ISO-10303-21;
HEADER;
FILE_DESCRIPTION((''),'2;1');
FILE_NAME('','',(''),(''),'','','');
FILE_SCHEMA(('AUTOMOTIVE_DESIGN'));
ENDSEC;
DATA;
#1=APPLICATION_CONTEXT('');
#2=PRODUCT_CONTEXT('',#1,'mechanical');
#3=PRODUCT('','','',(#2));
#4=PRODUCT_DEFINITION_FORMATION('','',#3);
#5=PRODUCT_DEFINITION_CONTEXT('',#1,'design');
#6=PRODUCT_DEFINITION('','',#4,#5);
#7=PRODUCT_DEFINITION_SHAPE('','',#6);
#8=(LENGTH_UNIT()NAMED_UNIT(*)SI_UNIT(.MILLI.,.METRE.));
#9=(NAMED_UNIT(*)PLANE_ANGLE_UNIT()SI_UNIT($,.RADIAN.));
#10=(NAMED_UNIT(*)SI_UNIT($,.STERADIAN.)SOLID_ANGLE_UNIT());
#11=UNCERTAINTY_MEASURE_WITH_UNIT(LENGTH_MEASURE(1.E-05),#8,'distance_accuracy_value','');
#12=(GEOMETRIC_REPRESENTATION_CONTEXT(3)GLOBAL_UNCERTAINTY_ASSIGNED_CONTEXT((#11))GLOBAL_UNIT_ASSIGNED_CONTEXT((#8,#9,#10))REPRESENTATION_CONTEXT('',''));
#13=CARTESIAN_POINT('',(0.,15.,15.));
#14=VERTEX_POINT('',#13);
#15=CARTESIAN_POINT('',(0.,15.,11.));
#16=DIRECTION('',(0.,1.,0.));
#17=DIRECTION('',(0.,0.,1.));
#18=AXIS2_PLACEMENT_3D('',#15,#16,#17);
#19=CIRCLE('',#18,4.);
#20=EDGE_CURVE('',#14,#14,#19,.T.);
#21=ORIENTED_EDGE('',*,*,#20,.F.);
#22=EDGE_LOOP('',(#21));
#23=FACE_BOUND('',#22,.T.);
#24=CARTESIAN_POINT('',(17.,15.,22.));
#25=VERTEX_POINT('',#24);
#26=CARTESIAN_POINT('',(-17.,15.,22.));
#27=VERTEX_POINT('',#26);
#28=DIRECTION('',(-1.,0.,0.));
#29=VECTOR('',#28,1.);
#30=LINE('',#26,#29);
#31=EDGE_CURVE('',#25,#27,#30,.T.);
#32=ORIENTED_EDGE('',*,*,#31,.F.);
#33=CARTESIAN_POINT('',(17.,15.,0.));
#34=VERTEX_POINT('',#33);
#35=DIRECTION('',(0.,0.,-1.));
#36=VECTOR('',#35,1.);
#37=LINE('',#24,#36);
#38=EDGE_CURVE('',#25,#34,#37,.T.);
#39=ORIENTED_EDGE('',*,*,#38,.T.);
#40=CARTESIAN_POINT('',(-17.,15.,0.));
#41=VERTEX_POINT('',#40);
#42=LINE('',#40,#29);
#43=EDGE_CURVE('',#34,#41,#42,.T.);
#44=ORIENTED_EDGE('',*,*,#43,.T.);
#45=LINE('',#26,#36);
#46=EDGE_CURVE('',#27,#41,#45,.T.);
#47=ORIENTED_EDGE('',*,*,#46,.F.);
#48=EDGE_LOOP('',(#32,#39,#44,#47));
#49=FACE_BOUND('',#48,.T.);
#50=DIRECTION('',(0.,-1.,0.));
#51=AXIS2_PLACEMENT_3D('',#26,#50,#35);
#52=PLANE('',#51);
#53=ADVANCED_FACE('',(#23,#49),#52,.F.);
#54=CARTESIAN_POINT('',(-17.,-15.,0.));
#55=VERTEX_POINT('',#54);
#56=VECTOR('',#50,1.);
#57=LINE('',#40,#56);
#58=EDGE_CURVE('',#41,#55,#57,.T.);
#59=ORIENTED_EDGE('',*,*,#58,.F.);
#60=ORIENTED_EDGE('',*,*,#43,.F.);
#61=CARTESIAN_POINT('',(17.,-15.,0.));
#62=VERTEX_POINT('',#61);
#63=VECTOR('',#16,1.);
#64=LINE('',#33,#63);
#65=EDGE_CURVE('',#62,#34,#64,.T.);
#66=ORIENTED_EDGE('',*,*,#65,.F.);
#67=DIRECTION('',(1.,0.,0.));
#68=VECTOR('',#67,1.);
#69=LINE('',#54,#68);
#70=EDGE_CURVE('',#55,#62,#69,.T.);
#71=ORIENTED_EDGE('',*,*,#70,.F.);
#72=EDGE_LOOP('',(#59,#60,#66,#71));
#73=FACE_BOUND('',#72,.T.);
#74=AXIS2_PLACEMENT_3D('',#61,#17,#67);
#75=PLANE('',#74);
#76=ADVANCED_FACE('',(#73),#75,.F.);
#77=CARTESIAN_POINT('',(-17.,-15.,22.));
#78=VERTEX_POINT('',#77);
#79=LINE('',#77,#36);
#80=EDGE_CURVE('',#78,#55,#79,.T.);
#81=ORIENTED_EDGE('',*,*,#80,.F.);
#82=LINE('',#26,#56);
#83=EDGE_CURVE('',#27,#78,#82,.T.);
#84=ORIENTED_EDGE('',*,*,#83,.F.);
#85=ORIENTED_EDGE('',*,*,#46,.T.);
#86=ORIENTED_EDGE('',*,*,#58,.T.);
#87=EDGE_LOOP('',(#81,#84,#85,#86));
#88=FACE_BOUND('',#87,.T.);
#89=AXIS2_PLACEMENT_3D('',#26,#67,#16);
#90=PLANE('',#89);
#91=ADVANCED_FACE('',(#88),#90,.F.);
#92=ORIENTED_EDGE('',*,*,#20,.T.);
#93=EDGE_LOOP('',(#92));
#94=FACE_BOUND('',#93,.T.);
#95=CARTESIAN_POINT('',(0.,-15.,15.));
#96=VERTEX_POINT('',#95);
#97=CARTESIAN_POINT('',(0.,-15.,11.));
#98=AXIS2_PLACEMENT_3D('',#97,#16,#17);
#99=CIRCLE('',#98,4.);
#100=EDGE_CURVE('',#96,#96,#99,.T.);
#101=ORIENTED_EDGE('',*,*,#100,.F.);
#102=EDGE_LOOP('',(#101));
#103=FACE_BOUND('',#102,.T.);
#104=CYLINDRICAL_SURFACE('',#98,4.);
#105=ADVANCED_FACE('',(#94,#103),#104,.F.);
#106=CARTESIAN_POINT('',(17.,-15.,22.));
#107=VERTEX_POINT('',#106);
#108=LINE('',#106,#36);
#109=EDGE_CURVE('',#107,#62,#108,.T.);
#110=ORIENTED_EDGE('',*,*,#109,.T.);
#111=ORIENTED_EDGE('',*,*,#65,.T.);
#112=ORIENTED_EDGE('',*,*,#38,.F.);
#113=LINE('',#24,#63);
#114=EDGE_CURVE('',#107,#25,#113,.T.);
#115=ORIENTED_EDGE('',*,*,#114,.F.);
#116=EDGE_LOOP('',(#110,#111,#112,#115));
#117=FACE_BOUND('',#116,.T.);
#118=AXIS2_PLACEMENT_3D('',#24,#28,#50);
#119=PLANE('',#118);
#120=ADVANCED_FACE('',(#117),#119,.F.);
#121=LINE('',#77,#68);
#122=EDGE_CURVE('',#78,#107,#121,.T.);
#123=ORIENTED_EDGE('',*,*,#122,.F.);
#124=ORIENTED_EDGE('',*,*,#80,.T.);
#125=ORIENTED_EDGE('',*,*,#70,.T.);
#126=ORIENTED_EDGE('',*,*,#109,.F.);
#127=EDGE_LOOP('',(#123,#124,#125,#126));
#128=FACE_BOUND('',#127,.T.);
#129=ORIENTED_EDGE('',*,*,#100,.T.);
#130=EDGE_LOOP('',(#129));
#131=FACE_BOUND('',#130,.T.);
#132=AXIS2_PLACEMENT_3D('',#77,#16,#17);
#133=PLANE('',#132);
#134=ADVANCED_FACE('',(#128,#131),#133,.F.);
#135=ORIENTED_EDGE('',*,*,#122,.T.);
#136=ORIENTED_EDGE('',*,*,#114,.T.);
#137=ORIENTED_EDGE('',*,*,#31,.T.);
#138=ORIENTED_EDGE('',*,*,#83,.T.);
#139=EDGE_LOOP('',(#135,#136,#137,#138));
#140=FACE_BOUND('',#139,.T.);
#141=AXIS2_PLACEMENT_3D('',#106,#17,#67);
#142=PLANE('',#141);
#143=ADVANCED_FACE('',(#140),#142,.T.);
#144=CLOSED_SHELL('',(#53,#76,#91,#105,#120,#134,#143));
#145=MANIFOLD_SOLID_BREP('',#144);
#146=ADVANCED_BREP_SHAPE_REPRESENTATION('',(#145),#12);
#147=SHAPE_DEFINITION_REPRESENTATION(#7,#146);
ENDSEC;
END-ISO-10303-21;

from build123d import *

# Parameters (mm, degrees)
SKETCH1_W           = 34
SKETCH1_H           = 30
BOSS_EXTRUDE1_DEPTH = 22
SKETCH2_R           = 4
CUT_EXTRUDE1_DEPTH  = 30


with BuildPart() as part:
    # Sketch1 → Boss-Extrude1 (new body)
    with BuildSketch(Plane.XY):
        Rectangle(SKETCH1_W, SKETCH1_H)
    extrude(amount=BOSS_EXTRUDE1_DEPTH)

    # Sketch2 → Cut-Extrude1 (cut)
    with BuildSketch(Plane(origin=(0, 15, 0), x_dir=(-1, 0, 0), z_dir=(0, 1, 0))):
        with Locations(Location((0, 11, 0), (0, 0, 90))):
            Circle(SKETCH2_R)
    extrude(amount=-CUT_EXTRUDE1_DEPTH, mode=Mode.SUBTRACT)


solid = part.part
